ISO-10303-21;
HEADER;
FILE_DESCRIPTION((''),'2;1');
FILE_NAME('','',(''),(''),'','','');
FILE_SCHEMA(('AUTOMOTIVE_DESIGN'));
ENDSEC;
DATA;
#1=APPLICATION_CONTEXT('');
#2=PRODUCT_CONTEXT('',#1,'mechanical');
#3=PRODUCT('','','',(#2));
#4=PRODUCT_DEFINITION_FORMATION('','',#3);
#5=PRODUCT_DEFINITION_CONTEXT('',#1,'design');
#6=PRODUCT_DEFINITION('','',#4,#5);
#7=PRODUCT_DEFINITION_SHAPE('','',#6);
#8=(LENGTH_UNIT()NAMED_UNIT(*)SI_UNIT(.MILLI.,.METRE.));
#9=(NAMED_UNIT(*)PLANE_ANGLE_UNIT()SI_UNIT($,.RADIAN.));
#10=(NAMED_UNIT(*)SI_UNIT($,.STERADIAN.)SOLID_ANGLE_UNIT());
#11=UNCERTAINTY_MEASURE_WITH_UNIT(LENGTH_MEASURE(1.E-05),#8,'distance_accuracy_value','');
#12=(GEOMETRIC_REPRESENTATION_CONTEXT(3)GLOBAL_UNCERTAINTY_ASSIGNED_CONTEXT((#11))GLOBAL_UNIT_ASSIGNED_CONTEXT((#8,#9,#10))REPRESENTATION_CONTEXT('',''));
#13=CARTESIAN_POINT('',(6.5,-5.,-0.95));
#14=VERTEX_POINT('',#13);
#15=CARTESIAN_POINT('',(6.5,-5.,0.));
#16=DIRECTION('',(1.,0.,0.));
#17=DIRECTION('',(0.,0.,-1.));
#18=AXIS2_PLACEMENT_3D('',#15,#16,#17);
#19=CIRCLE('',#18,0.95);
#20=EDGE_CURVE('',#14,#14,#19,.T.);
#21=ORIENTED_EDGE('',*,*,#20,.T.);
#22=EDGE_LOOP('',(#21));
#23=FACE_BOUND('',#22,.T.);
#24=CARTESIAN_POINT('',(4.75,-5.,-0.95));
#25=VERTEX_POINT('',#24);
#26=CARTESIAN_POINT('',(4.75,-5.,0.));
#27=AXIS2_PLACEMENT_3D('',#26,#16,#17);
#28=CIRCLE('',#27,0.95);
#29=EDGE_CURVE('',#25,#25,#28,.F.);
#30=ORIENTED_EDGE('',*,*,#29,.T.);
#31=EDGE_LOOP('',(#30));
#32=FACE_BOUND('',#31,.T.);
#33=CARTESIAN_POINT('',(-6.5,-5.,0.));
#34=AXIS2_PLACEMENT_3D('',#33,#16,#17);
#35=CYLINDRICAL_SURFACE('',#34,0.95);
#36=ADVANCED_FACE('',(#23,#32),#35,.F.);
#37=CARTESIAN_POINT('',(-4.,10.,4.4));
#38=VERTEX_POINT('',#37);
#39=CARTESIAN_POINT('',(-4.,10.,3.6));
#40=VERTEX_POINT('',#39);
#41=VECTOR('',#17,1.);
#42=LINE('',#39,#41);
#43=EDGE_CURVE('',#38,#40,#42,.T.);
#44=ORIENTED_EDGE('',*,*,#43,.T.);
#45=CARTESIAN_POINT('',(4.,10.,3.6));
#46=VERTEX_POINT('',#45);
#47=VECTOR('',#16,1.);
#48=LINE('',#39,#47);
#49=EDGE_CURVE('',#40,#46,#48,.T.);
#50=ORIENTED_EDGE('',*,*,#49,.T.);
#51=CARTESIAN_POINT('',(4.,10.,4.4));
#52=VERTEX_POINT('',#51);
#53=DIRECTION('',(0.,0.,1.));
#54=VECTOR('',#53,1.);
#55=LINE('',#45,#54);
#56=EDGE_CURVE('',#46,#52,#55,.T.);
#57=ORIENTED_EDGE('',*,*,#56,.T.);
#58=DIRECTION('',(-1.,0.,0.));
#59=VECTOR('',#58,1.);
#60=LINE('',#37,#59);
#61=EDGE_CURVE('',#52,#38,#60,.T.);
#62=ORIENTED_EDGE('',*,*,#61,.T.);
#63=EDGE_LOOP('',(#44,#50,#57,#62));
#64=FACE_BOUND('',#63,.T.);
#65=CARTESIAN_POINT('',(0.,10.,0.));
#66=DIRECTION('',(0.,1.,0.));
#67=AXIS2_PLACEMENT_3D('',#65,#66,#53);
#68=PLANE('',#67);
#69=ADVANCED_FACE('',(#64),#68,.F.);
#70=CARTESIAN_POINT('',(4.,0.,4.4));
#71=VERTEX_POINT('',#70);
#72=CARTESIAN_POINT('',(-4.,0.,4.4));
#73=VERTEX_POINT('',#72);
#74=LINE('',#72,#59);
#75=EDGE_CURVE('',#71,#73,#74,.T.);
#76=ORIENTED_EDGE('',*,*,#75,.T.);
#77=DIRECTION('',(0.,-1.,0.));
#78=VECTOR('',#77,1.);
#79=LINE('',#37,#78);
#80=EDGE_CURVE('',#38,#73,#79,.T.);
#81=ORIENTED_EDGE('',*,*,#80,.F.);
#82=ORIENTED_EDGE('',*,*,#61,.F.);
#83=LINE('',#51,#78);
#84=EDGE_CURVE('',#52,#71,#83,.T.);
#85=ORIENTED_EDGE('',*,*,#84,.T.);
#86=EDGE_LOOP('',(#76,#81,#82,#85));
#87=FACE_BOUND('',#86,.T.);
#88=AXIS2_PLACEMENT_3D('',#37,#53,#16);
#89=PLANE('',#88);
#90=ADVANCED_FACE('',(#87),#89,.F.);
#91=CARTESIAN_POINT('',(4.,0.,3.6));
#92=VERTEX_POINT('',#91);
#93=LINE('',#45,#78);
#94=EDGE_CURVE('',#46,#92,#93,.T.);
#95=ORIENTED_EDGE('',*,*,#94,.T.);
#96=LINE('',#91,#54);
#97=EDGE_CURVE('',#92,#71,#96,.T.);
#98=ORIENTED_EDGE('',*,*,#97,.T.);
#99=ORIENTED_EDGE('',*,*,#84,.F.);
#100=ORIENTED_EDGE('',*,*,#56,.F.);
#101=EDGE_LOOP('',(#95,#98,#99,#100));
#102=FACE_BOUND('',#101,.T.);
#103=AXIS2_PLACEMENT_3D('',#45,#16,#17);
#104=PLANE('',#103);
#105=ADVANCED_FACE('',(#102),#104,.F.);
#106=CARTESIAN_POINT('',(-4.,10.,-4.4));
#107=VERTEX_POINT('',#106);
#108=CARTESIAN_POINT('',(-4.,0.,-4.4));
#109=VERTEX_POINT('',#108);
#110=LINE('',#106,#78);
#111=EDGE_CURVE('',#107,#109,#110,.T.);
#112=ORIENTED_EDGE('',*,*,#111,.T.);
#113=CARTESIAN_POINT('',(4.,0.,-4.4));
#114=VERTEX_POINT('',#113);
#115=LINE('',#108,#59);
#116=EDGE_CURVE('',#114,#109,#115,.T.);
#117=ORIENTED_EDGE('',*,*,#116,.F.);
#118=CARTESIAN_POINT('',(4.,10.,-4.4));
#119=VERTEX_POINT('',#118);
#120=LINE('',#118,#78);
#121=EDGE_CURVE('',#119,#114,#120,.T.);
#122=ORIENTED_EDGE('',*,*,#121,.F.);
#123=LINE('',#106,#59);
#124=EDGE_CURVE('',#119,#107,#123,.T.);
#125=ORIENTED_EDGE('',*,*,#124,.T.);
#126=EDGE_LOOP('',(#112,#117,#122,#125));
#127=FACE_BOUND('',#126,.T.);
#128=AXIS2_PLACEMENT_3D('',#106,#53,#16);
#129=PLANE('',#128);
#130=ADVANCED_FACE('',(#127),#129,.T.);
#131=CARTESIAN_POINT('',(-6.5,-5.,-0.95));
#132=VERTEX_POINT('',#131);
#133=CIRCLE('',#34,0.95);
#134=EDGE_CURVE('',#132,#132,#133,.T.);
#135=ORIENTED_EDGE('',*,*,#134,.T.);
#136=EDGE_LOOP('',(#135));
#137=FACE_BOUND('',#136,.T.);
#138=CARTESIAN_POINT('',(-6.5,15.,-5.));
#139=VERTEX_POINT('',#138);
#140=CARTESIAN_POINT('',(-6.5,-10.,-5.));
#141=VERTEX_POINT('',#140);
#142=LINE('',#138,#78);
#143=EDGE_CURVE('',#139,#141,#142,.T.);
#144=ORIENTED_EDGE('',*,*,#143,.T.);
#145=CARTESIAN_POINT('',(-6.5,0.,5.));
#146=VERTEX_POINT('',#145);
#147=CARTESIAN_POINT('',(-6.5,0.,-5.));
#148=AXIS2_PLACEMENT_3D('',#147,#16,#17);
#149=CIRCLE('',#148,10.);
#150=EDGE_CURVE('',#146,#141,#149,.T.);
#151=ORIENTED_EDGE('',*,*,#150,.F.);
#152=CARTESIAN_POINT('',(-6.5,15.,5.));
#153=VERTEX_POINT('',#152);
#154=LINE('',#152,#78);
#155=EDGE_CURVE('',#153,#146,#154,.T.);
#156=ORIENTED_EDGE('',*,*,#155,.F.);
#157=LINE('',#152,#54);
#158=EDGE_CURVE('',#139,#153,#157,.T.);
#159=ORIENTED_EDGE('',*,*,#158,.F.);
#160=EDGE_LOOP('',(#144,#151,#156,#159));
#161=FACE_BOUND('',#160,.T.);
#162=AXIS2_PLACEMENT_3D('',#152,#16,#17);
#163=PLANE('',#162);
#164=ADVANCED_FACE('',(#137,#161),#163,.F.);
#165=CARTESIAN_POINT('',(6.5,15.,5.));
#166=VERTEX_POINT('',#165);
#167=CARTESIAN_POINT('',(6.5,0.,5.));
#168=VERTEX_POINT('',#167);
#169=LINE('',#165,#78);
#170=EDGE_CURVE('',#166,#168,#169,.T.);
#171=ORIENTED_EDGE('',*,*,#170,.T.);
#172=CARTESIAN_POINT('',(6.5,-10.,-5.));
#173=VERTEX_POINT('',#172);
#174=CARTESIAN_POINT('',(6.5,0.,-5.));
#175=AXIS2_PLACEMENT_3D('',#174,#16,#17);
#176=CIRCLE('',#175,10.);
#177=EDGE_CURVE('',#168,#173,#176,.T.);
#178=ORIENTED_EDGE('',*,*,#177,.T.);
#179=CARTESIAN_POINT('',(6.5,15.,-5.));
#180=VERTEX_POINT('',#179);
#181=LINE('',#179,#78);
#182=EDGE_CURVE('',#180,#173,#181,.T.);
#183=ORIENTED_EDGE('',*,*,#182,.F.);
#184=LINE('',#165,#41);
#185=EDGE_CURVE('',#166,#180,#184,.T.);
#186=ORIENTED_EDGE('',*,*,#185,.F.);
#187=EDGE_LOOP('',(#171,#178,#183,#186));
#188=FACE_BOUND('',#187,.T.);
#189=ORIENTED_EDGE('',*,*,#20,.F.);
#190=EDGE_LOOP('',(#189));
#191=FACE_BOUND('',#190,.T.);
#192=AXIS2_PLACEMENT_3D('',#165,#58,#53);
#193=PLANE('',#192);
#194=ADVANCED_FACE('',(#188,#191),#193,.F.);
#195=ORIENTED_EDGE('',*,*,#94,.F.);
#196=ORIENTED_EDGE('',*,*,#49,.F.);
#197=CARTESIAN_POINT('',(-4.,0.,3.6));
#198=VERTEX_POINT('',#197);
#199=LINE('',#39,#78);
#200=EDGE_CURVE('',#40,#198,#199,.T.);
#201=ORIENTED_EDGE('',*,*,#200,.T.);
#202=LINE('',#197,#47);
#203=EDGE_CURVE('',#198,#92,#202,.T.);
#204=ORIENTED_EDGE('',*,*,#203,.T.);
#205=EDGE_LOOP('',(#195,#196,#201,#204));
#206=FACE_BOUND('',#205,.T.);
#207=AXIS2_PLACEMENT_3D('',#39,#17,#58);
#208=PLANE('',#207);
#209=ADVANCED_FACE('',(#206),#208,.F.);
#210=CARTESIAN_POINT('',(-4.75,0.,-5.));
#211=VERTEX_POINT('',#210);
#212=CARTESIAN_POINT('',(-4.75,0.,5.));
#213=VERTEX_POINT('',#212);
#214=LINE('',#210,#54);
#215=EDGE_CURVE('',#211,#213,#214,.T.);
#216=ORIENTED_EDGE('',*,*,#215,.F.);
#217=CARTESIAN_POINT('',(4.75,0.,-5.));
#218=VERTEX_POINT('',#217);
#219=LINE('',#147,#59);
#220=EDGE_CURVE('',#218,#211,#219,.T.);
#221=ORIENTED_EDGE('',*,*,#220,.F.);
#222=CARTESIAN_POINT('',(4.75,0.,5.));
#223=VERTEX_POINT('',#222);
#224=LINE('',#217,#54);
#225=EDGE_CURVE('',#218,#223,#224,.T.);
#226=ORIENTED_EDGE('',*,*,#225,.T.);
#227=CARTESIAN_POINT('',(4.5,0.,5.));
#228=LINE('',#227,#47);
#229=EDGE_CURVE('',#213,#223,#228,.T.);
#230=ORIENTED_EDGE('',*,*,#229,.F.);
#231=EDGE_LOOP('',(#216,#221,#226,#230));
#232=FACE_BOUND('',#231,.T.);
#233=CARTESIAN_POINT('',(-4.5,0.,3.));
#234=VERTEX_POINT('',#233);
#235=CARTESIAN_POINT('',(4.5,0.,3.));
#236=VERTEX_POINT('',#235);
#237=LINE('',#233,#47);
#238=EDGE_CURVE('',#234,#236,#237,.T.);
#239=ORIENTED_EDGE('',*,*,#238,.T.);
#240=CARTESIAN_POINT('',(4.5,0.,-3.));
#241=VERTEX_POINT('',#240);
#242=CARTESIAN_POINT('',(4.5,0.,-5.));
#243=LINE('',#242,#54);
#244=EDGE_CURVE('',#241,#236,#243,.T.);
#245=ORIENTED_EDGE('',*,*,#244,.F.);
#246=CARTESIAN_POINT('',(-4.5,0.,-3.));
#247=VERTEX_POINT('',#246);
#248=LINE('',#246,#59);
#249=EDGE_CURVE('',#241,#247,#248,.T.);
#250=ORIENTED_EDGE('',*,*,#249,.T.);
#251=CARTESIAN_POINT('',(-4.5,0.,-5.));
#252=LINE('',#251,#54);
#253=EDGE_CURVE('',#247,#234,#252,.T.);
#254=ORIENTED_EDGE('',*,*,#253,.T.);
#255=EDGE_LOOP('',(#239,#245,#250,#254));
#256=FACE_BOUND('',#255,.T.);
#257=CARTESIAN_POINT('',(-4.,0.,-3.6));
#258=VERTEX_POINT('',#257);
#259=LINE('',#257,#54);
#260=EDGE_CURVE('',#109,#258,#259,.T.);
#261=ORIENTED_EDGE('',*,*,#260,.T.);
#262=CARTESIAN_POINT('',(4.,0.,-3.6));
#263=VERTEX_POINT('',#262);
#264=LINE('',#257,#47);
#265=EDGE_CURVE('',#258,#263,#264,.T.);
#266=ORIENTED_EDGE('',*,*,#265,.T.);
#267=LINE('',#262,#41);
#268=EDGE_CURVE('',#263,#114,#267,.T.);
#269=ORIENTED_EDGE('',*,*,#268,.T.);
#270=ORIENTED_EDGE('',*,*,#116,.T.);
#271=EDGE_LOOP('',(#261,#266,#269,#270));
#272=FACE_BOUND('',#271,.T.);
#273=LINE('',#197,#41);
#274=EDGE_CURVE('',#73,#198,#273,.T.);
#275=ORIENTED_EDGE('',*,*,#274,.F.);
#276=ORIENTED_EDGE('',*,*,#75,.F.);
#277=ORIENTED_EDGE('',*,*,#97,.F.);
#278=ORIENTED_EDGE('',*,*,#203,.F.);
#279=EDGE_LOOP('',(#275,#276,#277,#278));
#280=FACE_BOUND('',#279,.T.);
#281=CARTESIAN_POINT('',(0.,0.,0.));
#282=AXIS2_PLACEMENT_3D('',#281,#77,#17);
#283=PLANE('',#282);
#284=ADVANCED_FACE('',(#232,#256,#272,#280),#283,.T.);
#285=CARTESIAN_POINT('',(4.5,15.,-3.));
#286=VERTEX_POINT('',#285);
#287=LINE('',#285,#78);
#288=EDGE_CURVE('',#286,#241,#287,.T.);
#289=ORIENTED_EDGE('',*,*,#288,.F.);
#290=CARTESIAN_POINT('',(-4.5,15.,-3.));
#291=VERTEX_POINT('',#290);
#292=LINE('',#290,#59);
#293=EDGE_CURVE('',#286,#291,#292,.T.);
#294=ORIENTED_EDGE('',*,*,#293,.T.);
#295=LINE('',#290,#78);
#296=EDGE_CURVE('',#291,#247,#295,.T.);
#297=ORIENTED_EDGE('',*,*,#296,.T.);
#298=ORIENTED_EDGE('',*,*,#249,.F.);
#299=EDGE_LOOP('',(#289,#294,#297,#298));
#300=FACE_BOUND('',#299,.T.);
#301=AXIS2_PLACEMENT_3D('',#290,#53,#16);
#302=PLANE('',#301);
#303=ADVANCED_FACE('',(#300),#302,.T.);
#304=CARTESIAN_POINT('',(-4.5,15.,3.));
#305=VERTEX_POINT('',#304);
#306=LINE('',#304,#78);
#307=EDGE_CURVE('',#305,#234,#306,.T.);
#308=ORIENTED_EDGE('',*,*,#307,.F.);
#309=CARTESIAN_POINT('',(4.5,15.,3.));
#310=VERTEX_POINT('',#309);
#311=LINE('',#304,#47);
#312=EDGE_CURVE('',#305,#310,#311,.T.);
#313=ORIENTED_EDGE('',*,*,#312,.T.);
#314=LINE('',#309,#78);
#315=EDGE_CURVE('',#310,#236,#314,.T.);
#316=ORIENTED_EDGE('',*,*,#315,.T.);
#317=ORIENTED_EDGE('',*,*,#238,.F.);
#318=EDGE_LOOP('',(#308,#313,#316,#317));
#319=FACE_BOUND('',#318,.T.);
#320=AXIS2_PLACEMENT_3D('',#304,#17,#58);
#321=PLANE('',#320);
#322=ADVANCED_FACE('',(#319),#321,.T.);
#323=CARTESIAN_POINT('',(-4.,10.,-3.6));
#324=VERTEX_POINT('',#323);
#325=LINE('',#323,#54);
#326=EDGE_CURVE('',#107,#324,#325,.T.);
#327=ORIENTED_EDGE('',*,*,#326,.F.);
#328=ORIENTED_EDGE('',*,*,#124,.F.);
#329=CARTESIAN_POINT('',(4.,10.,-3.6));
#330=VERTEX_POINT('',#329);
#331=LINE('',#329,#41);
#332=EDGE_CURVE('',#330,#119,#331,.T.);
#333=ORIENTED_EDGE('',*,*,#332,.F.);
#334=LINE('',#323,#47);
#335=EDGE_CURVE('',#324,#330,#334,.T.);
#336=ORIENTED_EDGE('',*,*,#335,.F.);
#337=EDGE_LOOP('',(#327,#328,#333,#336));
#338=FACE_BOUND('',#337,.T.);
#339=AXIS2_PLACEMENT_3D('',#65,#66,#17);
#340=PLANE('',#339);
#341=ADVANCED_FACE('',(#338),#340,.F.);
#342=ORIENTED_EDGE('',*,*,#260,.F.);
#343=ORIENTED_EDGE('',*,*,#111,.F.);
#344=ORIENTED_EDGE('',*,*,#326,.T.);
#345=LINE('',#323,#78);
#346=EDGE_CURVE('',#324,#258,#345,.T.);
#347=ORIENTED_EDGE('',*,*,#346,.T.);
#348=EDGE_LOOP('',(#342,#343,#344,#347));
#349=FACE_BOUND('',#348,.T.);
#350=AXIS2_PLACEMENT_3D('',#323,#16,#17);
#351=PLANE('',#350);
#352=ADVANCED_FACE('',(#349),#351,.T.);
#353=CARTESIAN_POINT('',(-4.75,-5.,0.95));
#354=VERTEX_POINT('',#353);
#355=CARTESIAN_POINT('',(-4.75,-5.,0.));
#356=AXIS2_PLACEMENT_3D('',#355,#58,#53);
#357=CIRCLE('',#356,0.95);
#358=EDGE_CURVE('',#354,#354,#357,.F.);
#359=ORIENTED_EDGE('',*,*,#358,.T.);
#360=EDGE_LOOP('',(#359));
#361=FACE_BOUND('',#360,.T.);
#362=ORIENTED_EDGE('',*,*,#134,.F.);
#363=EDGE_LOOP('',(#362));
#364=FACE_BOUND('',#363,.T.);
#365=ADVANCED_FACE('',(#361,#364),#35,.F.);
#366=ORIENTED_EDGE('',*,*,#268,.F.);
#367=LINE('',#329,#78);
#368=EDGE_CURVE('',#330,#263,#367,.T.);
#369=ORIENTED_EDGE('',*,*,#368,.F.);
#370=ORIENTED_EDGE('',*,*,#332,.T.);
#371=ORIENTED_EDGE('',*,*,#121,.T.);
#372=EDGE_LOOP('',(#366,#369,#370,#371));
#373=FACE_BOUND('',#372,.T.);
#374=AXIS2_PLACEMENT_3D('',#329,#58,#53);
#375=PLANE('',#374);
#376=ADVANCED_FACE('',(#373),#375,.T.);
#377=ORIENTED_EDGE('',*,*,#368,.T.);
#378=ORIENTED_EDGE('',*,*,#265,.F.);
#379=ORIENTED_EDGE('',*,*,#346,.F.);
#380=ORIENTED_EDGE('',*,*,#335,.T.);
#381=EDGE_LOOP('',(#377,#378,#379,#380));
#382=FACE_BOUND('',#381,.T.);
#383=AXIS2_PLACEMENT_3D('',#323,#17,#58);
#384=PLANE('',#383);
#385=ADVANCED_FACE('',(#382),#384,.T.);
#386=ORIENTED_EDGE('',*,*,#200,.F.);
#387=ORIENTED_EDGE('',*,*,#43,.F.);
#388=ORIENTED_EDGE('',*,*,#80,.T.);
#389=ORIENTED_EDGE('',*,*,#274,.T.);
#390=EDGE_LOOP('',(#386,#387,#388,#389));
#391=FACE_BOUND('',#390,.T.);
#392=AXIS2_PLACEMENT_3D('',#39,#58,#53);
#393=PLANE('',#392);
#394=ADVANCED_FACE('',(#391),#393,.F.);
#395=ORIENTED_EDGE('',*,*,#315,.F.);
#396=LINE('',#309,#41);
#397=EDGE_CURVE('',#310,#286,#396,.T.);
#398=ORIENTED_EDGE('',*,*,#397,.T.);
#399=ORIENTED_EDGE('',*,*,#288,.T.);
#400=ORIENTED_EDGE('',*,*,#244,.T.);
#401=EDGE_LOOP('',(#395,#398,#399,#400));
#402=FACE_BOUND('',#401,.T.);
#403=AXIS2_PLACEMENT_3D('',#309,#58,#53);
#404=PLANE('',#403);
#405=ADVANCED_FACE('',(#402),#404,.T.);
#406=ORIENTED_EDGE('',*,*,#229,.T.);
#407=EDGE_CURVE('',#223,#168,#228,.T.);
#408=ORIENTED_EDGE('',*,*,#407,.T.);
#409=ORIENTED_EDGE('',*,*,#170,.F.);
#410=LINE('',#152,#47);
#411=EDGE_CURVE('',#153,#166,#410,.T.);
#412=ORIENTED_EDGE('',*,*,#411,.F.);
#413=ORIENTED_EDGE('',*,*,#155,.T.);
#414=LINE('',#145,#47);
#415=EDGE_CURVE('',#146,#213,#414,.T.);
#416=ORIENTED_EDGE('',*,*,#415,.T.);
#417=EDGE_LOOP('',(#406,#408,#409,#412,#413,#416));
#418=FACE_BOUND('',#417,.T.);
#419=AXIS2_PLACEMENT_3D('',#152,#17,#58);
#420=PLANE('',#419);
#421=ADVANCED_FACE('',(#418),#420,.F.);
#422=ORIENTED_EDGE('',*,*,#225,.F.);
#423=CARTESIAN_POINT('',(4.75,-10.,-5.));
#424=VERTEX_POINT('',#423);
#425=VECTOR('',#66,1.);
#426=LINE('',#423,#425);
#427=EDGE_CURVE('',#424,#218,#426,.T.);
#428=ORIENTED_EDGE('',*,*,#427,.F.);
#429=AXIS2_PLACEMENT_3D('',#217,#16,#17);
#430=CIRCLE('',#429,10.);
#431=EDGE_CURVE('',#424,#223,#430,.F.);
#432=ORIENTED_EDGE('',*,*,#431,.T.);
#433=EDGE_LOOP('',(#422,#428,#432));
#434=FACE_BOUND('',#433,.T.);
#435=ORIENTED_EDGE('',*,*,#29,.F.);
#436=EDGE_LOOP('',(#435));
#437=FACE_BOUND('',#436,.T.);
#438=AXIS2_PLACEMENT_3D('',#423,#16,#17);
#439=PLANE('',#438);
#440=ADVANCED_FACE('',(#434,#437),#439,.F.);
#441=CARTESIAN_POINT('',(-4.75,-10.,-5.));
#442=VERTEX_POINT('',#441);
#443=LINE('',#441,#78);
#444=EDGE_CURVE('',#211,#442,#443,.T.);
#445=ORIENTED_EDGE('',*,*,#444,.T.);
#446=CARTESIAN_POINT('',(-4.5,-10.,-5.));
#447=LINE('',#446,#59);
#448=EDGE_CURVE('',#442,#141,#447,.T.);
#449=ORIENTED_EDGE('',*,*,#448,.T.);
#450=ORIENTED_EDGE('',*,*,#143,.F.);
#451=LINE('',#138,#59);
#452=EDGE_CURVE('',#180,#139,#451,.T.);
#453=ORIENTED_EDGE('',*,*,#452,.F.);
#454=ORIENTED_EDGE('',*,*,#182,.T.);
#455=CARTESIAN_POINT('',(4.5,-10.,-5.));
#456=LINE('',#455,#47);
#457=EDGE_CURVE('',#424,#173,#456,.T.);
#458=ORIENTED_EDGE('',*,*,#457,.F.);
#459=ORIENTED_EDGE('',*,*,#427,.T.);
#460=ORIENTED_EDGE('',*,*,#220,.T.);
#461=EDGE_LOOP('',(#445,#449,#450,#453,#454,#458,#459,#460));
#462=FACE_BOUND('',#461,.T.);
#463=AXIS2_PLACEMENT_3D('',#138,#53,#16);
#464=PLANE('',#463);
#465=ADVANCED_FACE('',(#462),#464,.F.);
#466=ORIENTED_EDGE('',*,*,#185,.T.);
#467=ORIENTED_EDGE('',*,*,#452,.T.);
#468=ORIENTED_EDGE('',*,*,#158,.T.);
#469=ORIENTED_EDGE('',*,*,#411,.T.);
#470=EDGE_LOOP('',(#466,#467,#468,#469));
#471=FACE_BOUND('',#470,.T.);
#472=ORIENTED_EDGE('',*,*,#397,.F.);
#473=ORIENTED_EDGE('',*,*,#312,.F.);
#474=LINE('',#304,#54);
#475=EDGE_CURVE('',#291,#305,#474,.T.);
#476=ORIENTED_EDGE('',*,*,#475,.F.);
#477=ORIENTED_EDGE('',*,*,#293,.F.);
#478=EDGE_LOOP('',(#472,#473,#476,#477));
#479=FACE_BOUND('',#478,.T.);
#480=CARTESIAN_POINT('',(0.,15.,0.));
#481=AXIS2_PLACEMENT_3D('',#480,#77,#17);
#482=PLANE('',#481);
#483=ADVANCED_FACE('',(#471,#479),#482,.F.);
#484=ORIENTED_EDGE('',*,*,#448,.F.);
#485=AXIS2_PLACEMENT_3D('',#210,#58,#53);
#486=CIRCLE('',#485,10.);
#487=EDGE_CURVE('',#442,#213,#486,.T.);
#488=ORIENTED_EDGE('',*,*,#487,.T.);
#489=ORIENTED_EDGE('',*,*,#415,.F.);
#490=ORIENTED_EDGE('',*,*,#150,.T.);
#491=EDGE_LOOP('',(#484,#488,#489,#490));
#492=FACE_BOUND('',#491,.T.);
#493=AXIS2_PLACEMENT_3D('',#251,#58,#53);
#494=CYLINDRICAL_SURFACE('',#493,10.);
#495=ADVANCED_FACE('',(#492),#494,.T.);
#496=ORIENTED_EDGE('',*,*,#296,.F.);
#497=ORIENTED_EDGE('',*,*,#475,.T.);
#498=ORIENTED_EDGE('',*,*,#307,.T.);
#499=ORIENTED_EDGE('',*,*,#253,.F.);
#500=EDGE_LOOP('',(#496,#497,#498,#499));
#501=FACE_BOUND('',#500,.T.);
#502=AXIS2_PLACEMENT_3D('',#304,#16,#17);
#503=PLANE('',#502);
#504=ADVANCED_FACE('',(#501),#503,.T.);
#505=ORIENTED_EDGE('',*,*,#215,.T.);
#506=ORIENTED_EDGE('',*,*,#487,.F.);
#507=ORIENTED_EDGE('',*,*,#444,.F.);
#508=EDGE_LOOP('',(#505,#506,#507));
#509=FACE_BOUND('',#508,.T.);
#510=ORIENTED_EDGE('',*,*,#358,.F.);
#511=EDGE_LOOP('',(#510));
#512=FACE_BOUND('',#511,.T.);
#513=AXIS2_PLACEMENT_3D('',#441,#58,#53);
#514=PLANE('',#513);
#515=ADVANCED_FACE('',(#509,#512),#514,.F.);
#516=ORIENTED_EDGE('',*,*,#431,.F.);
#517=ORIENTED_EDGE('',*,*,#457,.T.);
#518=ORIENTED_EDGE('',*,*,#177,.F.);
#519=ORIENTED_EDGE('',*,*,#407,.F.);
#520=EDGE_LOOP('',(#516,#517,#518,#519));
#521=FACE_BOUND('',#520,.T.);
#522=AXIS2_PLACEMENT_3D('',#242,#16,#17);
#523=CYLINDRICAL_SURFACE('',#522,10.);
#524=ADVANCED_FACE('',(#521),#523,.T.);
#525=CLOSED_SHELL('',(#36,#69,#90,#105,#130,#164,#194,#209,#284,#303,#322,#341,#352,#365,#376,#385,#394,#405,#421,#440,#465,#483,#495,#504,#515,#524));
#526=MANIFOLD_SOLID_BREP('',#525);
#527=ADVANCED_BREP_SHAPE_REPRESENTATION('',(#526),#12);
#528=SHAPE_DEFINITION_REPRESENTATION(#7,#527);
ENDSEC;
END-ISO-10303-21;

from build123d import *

# Parameters (mm, degrees)
SKETCH1_W               = 13
SKETCH1_H               = 10
SKETCH1_W_2             = 9
SKETCH1_H_2             = 6
BOSS_EXTRUDE1_DEPTH     = 15
BOSS_EXTRUDE2_DEPTH     = 2
SKETCH3_R               = 0.95
CUT_EXTRUDE1_DEPTH      = 14
SKETCH5_W               = 0.25
SKETCH5_H               = 10
CUT_EXTRUDE3_DEPTH      = 6
CUT_EXTRUDE3_DEPTH_BACK = 6
SKETCH6_W               = 8
SKETCH6_H               = 0.8
CUT_EXTRUDE4_DEPTH      = 10


with BuildPart() as part:
    # Sketch1 → Boss-Extrude1 (new body)
    with BuildSketch(Plane(origin=(0, 0, 0), x_dir=(1, 0, 0), z_dir=(0, 1, 0))):
        Rectangle(SKETCH1_W, SKETCH1_H)
        Rectangle(SKETCH1_W_2, SKETCH1_H_2, mode=Mode.SUBTRACT)
    extrude(amount=BOSS_EXTRUDE1_DEPTH)

    # Sketch2 → Boss-Extrude2 (add)
    with BuildSketch(Plane(origin=(6.5, 0, 0), x_dir=(0, 0, -1), z_dir=(1, 0, 0))):
        with BuildLine():
            ThreePointArc((-5, 0), (-2.071067812, -7.071067812), (5, -10))
            Line((5, -10), (5, 0))
            Line((5, 0), (-5, 0))
        make_face()
    boss_extrude2 = extrude(amount=-BOSS_EXTRUDE2_DEPTH)

    # Mirror1: Boss-Extrude2 across plane
    add(boss_extrude2.mirror(Plane(origin=(0, 0, 0), x_dir=(0, 0, 1), z_dir=(1, 0, 0))))

    # Sketch3 → Cut-Extrude1 (cut, through all)
    with BuildSketch(Plane(origin=(6.5, 0, 0), x_dir=(0, 0, -1), z_dir=(1, 0, 0))):
        with Locations((0, -5)):
            Circle(SKETCH3_R)
    extrude(amount=-CUT_EXTRUDE1_DEPTH, mode=Mode.SUBTRACT)

    # Sketch5 → Cut-Extrude3 (cut, two sides)
    with BuildSketch(Plane.XY) as cut_extrude3_sk:
        with Locations((-4.625, -5)):
            Rectangle(SKETCH5_W, SKETCH5_H)
        with Locations((4.625, -5)):
            Rectangle(SKETCH5_W, SKETCH5_H)
    extrude(amount=CUT_EXTRUDE3_DEPTH, mode=Mode.SUBTRACT)
    extrude(cut_extrude3_sk.sketch, amount=-CUT_EXTRUDE3_DEPTH_BACK, mode=Mode.SUBTRACT)

    # Sketch6 → Cut-Extrude4 (cut)
    with BuildSketch(Plane.XZ):
        with Locations((0, 4)):
            Rectangle(SKETCH6_W, SKETCH6_H)
    cut_extrude4 = extrude(amount=-CUT_EXTRUDE4_DEPTH, mode=Mode.SUBTRACT)

    # Mirror2: Cut-Extrude4 across plane
    add(cut_extrude4.mirror(Plane.XY), mode=Mode.SUBTRACT)


solid = part.part
